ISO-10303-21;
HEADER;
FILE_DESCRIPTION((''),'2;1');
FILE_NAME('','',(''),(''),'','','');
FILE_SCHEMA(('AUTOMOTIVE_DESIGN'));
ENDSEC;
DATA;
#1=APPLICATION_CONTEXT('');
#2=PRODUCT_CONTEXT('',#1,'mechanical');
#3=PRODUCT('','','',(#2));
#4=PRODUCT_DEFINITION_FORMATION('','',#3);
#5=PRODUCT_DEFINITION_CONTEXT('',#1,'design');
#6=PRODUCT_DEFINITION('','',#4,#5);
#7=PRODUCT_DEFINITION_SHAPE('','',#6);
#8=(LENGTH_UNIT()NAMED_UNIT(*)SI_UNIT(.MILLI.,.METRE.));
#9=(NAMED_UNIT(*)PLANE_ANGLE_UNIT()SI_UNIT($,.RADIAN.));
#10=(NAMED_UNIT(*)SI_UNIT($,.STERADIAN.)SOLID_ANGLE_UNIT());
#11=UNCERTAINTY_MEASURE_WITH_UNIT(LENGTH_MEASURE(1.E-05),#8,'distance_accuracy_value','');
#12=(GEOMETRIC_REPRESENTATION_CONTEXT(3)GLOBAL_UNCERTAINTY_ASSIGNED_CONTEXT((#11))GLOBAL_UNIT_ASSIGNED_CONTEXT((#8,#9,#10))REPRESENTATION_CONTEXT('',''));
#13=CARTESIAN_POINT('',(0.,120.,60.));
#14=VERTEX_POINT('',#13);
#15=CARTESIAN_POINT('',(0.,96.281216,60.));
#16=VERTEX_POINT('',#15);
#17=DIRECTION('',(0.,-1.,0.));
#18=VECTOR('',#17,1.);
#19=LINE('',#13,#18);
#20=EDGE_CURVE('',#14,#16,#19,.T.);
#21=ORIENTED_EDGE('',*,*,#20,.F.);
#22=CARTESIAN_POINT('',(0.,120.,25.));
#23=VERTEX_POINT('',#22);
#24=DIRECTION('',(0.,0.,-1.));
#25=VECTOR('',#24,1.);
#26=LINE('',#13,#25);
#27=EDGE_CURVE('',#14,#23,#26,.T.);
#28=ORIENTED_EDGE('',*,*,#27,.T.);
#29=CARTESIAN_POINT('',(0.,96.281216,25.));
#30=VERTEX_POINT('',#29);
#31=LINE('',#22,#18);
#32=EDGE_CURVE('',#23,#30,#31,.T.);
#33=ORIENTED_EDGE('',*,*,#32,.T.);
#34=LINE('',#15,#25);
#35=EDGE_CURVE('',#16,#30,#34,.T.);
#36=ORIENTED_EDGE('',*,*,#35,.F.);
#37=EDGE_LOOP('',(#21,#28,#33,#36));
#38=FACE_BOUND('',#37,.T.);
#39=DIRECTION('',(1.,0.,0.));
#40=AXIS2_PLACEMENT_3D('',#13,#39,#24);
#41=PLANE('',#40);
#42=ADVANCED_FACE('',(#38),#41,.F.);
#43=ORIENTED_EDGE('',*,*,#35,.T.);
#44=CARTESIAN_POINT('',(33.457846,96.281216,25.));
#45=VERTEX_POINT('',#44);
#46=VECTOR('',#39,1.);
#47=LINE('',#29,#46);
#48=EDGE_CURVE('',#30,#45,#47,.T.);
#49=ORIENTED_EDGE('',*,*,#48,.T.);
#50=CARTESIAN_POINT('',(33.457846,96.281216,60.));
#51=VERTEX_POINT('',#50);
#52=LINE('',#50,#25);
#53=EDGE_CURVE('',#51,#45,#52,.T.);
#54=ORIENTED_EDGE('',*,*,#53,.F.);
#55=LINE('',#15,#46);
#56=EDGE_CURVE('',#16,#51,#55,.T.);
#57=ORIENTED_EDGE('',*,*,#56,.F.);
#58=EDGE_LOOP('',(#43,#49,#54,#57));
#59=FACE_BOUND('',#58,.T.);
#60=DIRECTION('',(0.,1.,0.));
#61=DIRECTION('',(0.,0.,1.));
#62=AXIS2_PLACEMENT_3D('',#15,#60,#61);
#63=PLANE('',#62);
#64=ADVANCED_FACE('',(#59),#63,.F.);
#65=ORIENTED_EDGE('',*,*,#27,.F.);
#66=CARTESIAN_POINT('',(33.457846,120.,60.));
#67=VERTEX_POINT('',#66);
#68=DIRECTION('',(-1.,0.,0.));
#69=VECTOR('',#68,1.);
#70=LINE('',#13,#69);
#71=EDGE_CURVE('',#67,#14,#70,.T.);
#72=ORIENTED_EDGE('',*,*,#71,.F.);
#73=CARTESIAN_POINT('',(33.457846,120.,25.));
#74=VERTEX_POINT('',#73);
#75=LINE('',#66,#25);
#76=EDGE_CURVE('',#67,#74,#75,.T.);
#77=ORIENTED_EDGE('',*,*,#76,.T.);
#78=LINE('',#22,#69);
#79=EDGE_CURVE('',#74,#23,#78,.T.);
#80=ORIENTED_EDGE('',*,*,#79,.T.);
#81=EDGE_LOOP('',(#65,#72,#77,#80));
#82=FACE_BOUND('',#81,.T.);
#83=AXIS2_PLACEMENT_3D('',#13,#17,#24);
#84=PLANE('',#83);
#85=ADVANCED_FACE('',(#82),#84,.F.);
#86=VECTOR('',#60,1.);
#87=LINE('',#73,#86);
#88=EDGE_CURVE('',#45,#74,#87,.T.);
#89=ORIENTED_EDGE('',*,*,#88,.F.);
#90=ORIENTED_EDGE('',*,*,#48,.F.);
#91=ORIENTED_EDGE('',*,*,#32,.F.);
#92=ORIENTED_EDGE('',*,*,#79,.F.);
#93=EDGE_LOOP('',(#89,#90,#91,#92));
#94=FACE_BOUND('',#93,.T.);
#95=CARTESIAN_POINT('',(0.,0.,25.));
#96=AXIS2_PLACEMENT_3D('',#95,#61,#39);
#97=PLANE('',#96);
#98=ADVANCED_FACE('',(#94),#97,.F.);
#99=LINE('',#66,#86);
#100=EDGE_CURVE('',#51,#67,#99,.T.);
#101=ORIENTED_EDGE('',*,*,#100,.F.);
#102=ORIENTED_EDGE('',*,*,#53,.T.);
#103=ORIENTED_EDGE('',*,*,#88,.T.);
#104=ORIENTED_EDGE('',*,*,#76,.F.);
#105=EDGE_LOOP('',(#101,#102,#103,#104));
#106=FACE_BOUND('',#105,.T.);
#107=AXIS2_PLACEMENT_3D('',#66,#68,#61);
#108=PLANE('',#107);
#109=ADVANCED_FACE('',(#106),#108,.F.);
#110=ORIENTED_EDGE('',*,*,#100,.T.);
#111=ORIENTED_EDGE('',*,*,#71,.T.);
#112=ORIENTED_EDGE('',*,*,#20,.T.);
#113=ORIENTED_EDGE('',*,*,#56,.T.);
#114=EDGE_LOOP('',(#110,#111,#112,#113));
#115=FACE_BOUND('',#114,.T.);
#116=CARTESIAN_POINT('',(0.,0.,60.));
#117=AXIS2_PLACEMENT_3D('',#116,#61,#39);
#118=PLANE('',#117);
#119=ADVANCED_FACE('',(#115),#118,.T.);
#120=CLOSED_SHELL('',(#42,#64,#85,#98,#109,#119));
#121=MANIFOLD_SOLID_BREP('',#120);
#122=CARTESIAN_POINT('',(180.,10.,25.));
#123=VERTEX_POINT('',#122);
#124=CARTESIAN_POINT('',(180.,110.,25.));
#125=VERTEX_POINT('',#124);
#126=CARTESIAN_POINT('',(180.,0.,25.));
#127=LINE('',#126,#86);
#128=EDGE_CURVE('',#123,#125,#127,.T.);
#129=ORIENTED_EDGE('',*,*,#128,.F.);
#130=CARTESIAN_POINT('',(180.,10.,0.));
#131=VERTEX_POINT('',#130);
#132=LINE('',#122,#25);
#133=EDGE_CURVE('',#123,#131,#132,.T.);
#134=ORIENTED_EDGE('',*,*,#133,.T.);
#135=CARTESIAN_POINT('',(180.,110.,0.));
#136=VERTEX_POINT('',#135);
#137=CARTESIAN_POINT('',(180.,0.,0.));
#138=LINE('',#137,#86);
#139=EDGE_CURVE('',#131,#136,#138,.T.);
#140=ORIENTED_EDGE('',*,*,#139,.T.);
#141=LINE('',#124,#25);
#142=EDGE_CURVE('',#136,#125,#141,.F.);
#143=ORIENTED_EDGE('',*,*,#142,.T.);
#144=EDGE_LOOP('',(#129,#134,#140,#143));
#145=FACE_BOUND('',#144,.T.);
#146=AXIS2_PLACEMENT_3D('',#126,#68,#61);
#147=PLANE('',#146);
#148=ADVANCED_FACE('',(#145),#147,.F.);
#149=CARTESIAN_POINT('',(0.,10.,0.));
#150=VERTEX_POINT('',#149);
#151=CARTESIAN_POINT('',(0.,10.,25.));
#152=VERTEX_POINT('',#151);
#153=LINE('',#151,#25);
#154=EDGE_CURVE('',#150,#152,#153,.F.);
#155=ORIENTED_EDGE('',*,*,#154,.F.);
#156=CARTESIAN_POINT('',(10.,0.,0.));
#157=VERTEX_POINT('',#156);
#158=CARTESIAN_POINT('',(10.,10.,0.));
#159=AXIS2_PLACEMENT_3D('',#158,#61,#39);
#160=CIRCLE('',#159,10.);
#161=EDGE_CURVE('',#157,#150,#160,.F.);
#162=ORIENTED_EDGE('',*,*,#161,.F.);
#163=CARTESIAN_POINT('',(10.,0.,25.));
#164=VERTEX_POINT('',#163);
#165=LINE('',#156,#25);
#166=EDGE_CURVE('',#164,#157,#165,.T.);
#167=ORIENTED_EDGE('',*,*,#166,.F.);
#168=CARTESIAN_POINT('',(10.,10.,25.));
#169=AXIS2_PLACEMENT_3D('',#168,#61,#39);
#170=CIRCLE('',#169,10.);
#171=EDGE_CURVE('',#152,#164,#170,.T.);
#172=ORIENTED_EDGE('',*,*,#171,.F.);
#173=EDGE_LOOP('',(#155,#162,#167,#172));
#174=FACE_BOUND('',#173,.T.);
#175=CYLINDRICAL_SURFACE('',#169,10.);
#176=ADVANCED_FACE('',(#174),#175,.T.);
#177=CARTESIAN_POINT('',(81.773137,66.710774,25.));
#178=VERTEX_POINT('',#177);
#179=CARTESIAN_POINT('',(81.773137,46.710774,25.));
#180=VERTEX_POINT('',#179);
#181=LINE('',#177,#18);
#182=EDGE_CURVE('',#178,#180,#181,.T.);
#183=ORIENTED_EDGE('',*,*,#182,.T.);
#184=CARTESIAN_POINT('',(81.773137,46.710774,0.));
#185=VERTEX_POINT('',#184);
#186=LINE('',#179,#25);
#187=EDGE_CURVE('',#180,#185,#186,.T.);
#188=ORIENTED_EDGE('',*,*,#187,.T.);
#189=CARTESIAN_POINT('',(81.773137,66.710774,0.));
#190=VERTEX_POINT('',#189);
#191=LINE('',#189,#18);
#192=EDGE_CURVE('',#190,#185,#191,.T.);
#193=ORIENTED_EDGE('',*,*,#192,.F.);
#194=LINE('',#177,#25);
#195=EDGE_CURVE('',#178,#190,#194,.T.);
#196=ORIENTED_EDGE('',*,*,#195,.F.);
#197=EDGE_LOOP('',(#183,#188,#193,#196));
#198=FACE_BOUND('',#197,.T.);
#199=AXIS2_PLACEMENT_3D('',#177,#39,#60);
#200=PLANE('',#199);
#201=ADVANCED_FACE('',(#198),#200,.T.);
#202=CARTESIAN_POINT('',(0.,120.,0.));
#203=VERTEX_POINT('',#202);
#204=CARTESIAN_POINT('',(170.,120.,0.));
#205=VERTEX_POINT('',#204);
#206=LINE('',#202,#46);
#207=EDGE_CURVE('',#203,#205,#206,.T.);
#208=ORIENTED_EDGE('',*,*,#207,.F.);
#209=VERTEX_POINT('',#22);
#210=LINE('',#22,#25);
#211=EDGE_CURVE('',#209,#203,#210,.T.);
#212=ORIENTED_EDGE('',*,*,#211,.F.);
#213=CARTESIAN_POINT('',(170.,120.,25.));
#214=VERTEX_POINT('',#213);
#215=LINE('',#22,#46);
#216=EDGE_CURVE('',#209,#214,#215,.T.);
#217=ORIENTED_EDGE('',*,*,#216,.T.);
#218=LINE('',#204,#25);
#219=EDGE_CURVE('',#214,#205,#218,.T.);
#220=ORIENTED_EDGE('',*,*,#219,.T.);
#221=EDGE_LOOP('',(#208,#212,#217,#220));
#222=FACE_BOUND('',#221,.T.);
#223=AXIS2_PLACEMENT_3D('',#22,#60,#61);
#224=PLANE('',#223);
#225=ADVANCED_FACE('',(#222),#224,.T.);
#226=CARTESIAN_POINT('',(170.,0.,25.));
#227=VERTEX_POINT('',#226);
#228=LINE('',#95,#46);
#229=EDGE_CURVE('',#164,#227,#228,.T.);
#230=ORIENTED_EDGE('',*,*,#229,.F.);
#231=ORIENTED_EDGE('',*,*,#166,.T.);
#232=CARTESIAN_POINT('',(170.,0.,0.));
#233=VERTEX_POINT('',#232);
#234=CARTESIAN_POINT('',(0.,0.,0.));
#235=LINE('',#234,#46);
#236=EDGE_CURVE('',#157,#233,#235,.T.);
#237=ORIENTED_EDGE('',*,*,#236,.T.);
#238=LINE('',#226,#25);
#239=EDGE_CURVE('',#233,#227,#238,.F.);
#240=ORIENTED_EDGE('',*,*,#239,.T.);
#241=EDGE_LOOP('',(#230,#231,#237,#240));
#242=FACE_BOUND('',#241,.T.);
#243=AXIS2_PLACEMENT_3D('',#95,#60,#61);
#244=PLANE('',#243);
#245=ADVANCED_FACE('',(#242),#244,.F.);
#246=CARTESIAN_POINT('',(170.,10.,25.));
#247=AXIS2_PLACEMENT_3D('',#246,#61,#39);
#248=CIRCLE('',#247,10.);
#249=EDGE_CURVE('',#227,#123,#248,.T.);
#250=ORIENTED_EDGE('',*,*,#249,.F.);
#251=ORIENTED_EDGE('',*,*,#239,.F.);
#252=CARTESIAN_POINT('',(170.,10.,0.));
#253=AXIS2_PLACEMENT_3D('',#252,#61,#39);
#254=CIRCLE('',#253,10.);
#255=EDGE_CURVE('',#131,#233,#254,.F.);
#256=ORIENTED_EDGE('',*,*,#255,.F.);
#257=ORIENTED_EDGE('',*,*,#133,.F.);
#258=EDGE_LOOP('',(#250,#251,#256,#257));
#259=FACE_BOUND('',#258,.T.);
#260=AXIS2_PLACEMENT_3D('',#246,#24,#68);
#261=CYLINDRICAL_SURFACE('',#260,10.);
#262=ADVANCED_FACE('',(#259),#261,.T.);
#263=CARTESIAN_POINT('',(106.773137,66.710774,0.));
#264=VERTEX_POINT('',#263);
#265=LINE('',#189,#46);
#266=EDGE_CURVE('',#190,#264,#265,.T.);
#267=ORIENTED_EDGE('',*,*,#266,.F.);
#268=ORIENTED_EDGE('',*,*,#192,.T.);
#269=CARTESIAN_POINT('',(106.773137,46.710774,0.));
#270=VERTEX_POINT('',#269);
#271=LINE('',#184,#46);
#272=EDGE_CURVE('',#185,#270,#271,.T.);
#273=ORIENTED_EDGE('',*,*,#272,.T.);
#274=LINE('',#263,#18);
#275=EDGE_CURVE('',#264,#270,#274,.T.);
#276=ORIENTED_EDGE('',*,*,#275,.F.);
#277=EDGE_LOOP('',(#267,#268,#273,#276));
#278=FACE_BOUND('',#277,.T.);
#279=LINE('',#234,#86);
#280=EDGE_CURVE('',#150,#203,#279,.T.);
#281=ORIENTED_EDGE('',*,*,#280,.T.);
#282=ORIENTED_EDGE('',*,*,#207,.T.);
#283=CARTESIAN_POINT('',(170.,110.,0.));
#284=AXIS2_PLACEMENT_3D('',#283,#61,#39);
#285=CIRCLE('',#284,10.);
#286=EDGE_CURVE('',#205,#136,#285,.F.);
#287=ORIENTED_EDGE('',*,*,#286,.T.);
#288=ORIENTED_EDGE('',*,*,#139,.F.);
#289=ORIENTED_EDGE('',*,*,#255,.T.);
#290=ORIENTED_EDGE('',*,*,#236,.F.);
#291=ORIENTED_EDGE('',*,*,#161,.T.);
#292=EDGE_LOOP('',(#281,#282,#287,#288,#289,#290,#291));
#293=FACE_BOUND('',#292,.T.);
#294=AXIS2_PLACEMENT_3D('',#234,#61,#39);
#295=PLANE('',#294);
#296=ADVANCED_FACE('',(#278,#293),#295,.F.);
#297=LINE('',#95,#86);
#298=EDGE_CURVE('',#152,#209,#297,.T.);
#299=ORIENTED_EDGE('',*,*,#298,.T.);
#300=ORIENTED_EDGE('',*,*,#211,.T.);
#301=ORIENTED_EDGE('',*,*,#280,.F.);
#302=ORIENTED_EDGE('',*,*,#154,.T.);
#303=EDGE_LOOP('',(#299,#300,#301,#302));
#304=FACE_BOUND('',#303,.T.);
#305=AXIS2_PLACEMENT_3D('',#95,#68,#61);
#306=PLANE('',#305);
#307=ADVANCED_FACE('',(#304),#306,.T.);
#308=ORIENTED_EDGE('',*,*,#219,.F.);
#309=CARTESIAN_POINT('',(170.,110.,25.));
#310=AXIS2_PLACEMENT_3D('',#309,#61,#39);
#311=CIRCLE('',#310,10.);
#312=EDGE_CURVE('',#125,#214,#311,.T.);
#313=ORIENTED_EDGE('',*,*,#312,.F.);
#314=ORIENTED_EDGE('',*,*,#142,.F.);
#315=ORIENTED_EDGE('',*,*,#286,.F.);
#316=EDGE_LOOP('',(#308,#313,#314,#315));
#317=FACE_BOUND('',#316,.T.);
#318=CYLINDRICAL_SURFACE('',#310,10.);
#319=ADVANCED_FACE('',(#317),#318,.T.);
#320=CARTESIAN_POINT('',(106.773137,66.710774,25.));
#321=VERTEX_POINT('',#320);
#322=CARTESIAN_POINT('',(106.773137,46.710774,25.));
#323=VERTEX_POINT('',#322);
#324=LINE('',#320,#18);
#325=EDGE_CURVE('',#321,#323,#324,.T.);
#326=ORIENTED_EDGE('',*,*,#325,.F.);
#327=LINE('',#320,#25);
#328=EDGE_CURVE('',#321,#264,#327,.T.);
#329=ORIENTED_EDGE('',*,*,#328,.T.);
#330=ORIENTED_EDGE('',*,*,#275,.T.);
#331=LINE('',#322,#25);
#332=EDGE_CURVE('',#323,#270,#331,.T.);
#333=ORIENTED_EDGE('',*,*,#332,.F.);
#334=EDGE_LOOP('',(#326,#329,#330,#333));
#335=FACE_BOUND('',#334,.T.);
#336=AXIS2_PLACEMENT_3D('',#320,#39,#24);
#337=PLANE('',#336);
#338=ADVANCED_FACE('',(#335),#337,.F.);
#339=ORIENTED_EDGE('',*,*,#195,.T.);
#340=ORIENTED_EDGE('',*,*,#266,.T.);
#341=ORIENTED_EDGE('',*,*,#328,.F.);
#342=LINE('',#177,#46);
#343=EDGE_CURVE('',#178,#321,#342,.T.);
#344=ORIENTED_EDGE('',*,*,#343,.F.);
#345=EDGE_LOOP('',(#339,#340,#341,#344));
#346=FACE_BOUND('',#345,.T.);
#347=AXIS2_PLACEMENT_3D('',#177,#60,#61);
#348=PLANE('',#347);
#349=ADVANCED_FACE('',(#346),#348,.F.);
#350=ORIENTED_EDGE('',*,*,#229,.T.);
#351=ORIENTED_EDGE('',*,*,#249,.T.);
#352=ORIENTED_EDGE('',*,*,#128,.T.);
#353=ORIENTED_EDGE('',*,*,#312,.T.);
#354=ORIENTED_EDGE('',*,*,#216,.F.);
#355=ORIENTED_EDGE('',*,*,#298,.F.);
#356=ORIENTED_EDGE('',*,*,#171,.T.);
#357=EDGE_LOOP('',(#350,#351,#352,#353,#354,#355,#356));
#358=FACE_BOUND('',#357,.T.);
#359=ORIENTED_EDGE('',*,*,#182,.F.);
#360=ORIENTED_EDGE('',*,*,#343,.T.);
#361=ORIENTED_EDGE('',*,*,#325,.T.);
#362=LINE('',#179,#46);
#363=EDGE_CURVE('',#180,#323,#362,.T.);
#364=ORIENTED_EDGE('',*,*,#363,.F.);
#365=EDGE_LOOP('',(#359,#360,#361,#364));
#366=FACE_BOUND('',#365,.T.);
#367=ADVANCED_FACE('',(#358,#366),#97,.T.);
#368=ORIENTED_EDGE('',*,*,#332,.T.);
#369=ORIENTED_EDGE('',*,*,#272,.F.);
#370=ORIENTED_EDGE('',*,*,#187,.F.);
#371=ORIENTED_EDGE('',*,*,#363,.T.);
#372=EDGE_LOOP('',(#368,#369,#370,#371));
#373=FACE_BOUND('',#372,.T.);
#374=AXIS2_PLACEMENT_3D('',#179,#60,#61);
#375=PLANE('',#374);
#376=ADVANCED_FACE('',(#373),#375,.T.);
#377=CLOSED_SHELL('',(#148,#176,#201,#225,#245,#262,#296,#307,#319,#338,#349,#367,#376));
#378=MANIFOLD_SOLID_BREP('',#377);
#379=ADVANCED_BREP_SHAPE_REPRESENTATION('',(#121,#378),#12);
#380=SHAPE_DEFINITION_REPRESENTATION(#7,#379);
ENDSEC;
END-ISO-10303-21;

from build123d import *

# Parameters (mm, degrees)
SKETCH1_W           = 180
SKETCH1_H           = 120
SKETCH1_W_2         = 25
SKETCH1_H_2         = 20
BOSS_EXTRUDE1_DEPTH = 25
SKETCH2_W           = 33.457845935
SKETCH2_H           = 23.718784475
BOSS_EXTRUDE2_DEPTH = 35
FILLET1_R           = 10


with BuildPart() as part:
    # Sketch1 → Boss-Extrude1 (new body)
    with BuildSketch(Plane.XY):
        with Locations((90, 60)):
            Rectangle(SKETCH1_W, SKETCH1_H)
        with Locations((94.273136822, 56.710774072)):
            Rectangle(SKETCH1_W_2, SKETCH1_H_2, mode=Mode.SUBTRACT)
    extrude(amount=BOSS_EXTRUDE1_DEPTH)

    # Fillet1
    fillet1_edges = [part.edges().sort_by_distance(p)[0] for p in [
        (0, 0, 12.5),
        (180, 0, 12.5),
        (180, 120, 12.5),
    ]]
    fillet(fillet1_edges, radius=FILLET1_R)


with BuildPart() as body_2:
    # Sketch2 → Boss-Extrude2 (new body)
    with BuildSketch(Plane.XY.offset(25)):
        with Locations((16.728922968, 108.140607763)):
            Rectangle(SKETCH2_W, SKETCH2_H)
    extrude(amount=BOSS_EXTRUDE2_DEPTH)


solid = Compound([part.part, body_2.part])
